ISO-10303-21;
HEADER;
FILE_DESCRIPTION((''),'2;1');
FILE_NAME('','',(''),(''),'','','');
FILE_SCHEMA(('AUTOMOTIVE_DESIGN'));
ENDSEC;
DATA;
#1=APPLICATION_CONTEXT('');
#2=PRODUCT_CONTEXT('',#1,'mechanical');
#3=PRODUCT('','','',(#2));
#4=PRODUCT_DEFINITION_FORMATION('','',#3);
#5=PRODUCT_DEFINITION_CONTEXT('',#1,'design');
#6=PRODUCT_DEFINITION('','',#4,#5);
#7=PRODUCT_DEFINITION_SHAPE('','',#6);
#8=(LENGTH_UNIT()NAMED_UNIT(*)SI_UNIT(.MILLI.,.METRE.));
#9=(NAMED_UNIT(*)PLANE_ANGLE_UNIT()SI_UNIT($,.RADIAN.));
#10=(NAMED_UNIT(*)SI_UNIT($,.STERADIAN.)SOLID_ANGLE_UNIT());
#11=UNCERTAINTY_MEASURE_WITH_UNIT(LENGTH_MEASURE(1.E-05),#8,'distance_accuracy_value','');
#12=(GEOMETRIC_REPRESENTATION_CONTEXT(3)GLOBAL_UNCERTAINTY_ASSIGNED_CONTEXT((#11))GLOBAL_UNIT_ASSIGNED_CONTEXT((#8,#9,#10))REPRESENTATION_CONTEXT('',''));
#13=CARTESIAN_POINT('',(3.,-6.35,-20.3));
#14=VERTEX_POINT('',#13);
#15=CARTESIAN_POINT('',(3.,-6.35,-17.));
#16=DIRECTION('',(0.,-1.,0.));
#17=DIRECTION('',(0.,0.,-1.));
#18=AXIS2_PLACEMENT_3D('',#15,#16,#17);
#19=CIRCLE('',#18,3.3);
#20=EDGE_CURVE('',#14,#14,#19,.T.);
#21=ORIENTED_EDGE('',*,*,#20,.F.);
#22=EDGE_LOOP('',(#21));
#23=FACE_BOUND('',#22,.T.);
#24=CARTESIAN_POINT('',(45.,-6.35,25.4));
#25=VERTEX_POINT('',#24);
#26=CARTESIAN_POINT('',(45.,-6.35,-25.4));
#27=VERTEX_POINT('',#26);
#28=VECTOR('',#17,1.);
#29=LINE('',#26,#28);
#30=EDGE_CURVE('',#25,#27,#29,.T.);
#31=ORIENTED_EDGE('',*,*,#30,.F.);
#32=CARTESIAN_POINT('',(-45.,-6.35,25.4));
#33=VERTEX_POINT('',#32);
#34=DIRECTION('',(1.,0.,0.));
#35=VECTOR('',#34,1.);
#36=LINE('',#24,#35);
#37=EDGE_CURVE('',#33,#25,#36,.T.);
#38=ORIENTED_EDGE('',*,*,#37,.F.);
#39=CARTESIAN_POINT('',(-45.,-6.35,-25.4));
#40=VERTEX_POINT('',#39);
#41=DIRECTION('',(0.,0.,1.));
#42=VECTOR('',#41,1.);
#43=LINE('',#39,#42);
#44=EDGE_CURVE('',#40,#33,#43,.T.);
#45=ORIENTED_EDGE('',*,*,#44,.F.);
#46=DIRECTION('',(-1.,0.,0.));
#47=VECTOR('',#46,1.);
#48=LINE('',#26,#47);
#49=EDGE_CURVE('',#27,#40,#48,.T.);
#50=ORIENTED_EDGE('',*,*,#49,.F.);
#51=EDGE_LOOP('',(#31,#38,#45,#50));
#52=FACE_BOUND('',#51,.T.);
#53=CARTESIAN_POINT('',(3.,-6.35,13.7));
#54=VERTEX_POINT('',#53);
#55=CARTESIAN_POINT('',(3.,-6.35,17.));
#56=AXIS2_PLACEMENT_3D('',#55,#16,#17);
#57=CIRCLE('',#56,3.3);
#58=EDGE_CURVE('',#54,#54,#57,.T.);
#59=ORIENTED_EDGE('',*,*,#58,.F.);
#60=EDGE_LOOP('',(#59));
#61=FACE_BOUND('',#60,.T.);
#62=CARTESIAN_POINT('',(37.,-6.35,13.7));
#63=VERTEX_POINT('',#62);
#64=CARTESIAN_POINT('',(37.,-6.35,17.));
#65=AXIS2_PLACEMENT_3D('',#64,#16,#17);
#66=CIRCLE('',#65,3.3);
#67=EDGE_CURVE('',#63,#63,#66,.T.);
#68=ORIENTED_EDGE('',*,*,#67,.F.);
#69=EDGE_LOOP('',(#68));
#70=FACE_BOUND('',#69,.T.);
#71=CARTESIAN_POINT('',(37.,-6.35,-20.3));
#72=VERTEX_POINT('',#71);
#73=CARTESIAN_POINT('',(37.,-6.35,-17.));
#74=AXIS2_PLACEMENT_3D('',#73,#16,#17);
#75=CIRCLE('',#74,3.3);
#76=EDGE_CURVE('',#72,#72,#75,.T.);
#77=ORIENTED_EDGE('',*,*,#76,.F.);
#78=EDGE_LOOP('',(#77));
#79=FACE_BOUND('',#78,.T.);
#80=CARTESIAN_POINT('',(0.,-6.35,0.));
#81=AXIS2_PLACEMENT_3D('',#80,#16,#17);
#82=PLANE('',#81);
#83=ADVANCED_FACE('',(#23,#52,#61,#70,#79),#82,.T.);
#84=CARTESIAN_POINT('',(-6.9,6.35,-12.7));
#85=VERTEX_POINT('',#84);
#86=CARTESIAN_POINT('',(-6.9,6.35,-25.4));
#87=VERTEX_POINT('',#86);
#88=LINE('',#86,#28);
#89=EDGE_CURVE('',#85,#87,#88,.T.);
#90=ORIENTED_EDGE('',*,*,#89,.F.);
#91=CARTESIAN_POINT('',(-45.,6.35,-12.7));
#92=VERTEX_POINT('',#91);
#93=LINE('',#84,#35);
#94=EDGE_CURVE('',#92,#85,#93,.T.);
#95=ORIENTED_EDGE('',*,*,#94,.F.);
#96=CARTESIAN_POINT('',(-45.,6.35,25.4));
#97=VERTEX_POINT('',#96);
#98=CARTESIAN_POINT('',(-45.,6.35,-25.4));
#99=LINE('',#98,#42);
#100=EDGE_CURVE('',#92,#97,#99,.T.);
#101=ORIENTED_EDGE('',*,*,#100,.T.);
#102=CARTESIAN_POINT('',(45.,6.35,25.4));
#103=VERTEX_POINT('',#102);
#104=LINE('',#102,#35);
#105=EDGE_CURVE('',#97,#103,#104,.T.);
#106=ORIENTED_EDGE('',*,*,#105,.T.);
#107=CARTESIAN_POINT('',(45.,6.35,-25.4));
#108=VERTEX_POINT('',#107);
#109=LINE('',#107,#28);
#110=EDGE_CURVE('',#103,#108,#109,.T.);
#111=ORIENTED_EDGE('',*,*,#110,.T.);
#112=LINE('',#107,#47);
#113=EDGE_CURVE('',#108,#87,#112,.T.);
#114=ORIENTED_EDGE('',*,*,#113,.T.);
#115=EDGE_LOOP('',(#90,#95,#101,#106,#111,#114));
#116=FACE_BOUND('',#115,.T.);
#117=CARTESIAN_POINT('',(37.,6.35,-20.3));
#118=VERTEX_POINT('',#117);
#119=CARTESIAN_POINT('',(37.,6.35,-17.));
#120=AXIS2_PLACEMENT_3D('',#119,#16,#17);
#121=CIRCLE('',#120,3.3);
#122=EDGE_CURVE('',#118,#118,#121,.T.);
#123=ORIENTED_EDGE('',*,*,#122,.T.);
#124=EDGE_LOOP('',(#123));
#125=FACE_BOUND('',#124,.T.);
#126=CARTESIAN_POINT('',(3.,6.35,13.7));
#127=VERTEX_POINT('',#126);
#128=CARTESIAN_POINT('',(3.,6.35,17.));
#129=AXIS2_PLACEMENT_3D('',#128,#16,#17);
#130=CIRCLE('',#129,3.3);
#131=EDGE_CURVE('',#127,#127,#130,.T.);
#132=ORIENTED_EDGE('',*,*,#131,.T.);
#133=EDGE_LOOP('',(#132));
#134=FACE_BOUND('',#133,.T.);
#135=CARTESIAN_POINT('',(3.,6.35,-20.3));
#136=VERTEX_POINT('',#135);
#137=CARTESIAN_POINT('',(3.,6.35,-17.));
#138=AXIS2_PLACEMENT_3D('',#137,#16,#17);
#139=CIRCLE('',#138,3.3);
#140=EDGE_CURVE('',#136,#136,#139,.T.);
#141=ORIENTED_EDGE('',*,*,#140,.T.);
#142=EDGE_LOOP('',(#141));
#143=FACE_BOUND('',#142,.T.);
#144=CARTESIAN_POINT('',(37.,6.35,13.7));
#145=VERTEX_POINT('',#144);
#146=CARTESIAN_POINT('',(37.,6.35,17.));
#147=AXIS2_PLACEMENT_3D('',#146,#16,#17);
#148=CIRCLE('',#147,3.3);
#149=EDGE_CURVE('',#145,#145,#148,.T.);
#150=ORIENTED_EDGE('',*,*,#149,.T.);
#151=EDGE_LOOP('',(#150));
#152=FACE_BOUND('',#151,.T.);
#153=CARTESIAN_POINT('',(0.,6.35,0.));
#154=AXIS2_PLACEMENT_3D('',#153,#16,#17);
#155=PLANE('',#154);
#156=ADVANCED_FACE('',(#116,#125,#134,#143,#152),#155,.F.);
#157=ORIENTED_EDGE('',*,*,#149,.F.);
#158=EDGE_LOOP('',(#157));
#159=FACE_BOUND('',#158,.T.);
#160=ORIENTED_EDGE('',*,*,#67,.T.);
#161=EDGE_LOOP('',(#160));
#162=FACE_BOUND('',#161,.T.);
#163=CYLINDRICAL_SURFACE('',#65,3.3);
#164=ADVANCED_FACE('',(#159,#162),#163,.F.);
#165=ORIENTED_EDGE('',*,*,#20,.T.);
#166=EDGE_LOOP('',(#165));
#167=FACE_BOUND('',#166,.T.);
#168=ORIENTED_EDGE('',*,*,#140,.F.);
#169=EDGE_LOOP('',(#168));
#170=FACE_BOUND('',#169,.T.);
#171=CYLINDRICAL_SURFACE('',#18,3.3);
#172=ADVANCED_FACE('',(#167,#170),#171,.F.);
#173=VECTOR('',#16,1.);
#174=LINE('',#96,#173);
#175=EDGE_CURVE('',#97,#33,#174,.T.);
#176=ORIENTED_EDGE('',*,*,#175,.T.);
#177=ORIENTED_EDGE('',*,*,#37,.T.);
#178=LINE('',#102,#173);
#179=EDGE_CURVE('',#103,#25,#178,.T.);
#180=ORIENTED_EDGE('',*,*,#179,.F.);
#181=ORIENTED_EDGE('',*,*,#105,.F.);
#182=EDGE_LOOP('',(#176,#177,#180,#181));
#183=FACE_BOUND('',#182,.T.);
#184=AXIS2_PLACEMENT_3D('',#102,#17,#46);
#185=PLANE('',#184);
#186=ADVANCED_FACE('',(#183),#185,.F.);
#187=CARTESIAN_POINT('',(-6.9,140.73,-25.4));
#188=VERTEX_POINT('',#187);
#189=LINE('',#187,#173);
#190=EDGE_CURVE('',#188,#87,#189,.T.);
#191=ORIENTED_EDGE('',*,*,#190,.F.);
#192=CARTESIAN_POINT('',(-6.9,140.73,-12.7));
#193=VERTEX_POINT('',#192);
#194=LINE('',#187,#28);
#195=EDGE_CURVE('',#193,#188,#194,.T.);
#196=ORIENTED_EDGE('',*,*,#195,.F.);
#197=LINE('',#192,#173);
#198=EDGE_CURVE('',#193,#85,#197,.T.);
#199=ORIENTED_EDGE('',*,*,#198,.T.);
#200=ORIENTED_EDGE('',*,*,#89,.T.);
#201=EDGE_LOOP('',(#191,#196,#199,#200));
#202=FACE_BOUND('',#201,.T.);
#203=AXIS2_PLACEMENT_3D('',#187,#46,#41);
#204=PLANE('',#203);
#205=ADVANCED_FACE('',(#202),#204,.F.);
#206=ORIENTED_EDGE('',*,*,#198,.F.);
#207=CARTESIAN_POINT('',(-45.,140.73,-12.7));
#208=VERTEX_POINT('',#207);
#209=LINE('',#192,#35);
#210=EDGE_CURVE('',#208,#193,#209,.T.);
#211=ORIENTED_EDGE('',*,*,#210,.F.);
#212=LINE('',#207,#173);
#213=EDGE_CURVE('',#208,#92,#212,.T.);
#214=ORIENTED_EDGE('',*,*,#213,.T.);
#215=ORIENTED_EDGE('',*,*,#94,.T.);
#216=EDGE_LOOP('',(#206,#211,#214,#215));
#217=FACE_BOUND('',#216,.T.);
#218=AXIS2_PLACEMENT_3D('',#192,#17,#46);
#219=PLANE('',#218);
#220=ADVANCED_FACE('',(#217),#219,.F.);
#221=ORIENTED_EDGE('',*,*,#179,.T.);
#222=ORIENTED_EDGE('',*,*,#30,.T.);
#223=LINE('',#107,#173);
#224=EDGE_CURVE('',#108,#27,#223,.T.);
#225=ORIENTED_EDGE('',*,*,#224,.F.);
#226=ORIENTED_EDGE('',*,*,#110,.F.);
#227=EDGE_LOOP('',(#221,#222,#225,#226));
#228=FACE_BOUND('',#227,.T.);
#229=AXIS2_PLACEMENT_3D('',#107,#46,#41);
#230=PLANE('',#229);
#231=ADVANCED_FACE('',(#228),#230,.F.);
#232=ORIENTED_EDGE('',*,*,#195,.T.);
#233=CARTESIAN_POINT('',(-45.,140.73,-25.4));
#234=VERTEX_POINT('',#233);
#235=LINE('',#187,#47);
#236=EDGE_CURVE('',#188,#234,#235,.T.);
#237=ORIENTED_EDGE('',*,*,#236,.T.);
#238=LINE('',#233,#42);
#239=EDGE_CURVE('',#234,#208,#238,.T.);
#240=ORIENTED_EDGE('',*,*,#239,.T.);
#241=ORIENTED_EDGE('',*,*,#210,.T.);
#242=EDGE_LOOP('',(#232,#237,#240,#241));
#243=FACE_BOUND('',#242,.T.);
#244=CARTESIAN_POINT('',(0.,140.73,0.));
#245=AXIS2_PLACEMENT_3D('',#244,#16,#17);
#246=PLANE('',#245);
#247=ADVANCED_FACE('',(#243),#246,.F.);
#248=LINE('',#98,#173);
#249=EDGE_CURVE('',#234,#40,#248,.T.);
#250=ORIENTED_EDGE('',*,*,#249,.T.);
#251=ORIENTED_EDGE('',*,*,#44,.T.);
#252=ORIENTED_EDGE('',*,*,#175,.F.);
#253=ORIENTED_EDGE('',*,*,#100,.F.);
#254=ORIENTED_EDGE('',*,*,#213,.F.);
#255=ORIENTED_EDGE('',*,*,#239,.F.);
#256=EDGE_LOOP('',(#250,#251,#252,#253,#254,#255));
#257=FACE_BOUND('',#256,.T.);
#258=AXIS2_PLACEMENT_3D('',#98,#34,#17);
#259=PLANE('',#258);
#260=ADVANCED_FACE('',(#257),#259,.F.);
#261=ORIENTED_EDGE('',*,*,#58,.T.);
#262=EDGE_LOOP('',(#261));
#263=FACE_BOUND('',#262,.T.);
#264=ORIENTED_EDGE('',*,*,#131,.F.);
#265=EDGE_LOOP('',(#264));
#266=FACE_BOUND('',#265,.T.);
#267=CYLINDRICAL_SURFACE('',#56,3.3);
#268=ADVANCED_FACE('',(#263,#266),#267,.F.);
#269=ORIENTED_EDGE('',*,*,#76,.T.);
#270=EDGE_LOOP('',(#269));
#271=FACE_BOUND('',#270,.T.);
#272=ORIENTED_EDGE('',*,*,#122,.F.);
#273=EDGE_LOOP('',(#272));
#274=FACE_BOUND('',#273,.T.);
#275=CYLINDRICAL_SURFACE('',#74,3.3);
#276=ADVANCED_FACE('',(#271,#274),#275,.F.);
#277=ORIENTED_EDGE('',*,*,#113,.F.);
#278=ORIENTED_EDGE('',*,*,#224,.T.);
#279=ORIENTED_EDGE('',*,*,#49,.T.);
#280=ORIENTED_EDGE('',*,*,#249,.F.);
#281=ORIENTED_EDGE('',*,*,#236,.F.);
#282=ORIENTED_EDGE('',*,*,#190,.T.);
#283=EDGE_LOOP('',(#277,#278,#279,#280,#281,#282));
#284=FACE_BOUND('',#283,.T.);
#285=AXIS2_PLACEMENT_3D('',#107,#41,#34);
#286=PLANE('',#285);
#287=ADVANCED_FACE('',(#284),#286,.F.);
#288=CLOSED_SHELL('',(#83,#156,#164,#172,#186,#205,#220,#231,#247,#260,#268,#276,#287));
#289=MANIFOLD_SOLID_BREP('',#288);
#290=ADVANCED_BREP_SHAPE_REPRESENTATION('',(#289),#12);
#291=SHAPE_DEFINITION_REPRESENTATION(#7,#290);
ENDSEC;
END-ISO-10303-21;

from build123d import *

# Parameters (mm, degrees)
CROQUIS1_W                   = 90
CROQUIS1_H                   = 50.8
SALIENTE_EXTRUIR1_DEPTH      = 6.35
TALADRO_DE_MARGEN_PARA_M61_D = 6.6
CROQUIS4_W                   = 38.1
CROQUIS4_H                   = 12.7
SALIENTE_EXTRUIR2_DEPTH      = 134.38


with BuildPart() as part:
    # Croquis1 → Saliente-Extruir1 (new, symmetric)
    with BuildSketch(Plane(origin=(0, 0, 0), x_dir=(1, 0, 0), z_dir=(0, 1, 0))):
        Rectangle(CROQUIS1_W, CROQUIS1_H)
    extrude(amount=SALIENTE_EXTRUIR1_DEPTH, both=True)

    # Taladro de margen para M61 (through all)
    with Locations(Plane(origin=(0, -6.35, 0), x_dir=(-1, 0, 0), z_dir=(0, -1, 0))):
        with Locations((-36.583684882, -75.725395139), (-37, -17), (-37, 17), (-3, -17), (-3, 17)):
            Hole(TALADRO_DE_MARGEN_PARA_M61_D / 2)

    # Croquis4 → Saliente-Extruir2 (add)
    with BuildSketch(Plane(origin=(0, 6.35, 0), x_dir=(1, 0, 0), z_dir=(0, 1, 0))):
        with Locations((-25.95, 19.05)):
            Rectangle(CROQUIS4_W, CROQUIS4_H)
    extrude(amount=SALIENTE_EXTRUIR2_DEPTH)


solid = part.part
